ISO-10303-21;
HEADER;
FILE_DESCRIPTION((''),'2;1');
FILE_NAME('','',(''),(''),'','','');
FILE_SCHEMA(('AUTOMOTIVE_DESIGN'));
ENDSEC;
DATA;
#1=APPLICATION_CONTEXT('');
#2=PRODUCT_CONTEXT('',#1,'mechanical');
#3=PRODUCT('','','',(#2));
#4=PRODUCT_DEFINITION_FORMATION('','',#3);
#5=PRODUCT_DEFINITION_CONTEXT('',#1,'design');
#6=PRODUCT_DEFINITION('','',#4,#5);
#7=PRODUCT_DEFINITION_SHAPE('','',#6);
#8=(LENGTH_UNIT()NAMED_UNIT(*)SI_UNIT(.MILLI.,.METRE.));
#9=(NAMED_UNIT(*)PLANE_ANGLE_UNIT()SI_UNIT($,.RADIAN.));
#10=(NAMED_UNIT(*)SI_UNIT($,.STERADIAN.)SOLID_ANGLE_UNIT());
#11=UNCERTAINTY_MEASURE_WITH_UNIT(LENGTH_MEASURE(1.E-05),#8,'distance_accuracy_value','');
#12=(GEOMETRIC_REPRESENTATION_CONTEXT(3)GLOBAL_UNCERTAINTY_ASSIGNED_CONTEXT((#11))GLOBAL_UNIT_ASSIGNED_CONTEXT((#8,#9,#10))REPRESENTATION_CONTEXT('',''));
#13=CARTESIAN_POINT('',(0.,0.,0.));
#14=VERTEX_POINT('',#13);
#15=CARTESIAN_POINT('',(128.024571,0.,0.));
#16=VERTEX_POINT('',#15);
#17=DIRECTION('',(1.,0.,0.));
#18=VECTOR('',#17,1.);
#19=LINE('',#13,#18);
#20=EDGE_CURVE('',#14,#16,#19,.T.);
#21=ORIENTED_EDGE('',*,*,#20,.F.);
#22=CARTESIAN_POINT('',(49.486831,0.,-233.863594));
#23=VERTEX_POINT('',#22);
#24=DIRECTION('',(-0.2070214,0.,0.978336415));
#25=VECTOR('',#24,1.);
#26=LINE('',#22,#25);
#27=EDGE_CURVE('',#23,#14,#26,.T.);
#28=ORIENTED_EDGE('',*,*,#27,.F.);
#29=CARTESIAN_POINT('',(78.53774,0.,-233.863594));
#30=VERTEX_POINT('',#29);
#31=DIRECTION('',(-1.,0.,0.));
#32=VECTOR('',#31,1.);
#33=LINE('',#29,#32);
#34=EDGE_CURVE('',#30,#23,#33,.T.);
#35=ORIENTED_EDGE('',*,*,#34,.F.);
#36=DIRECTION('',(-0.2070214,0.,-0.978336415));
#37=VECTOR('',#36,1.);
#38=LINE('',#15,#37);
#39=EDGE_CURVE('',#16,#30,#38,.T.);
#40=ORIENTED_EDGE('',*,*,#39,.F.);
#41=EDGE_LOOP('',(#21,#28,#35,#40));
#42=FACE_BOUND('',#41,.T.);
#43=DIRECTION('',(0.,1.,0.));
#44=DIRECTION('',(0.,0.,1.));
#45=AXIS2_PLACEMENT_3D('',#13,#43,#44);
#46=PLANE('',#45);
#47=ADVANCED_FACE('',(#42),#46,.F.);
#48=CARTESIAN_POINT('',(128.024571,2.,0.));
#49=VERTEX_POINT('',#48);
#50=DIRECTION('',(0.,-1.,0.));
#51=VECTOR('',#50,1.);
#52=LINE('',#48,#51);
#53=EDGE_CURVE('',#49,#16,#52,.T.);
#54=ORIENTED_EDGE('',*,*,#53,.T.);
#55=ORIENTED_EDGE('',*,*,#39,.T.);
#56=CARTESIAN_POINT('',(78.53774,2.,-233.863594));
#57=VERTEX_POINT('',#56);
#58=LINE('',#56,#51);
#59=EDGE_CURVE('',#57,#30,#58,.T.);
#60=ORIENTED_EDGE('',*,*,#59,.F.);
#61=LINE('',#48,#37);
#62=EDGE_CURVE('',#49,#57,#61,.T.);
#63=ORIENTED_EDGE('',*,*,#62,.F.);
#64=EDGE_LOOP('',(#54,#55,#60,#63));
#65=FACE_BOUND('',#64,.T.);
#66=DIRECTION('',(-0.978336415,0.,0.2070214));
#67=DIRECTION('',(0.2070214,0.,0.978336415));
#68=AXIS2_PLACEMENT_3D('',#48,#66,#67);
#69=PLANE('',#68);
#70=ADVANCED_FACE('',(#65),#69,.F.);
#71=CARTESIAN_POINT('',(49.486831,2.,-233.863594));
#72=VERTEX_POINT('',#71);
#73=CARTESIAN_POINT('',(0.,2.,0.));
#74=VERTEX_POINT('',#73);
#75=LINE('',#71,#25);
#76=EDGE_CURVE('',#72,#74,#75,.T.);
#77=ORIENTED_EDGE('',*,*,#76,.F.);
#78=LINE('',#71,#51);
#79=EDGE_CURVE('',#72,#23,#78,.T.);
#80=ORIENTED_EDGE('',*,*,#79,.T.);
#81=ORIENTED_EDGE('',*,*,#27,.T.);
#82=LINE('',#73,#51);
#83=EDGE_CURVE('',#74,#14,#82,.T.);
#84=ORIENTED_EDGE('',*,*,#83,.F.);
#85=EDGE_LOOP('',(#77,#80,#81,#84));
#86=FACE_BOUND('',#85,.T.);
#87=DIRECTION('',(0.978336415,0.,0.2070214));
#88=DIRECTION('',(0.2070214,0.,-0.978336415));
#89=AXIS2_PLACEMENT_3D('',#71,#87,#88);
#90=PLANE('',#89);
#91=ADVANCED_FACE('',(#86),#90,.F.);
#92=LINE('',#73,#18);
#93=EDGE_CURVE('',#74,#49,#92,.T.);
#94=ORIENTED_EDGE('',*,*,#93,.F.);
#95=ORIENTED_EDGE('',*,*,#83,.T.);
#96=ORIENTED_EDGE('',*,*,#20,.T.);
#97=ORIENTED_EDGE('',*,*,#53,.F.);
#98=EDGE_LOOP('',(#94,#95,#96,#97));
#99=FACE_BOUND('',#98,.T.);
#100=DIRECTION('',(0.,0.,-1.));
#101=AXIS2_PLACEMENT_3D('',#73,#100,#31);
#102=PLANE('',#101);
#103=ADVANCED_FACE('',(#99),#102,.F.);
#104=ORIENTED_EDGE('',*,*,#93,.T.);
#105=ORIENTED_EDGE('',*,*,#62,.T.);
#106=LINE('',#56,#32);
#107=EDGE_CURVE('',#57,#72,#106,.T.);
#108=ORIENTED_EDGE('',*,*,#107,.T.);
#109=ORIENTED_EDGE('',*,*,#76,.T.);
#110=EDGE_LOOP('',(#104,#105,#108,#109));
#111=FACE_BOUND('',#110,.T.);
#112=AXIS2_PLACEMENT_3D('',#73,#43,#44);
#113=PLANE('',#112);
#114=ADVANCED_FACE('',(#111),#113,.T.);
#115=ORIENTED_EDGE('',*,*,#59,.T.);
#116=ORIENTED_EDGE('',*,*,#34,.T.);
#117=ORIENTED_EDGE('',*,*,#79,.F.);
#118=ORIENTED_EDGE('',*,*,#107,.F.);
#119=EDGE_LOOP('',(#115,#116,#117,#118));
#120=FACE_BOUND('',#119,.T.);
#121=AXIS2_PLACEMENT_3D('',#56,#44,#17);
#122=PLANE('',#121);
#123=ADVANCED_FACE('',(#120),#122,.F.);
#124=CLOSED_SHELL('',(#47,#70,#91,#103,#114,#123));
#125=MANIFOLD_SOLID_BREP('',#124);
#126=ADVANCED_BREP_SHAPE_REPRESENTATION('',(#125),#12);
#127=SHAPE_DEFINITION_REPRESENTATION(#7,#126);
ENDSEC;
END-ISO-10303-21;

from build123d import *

# Parameters (mm, degrees)
BOSS_EXTRU_1_DEPTH = 2


with BuildPart() as part:
    # Esquisse1 → Boss.-Extru.1 (new body)
    with BuildSketch(Plane(origin=(0, 0, 0), x_dir=(1, 0, 0), z_dir=(0, 1, 0))):
        Polygon((78.53773978, 233.863594462), (49.486830816, 233.863594462), (0, 0), (128.024570597, 0), align=None)
    extrude(amount=BOSS_EXTRU_1_DEPTH)


solid = part.part
